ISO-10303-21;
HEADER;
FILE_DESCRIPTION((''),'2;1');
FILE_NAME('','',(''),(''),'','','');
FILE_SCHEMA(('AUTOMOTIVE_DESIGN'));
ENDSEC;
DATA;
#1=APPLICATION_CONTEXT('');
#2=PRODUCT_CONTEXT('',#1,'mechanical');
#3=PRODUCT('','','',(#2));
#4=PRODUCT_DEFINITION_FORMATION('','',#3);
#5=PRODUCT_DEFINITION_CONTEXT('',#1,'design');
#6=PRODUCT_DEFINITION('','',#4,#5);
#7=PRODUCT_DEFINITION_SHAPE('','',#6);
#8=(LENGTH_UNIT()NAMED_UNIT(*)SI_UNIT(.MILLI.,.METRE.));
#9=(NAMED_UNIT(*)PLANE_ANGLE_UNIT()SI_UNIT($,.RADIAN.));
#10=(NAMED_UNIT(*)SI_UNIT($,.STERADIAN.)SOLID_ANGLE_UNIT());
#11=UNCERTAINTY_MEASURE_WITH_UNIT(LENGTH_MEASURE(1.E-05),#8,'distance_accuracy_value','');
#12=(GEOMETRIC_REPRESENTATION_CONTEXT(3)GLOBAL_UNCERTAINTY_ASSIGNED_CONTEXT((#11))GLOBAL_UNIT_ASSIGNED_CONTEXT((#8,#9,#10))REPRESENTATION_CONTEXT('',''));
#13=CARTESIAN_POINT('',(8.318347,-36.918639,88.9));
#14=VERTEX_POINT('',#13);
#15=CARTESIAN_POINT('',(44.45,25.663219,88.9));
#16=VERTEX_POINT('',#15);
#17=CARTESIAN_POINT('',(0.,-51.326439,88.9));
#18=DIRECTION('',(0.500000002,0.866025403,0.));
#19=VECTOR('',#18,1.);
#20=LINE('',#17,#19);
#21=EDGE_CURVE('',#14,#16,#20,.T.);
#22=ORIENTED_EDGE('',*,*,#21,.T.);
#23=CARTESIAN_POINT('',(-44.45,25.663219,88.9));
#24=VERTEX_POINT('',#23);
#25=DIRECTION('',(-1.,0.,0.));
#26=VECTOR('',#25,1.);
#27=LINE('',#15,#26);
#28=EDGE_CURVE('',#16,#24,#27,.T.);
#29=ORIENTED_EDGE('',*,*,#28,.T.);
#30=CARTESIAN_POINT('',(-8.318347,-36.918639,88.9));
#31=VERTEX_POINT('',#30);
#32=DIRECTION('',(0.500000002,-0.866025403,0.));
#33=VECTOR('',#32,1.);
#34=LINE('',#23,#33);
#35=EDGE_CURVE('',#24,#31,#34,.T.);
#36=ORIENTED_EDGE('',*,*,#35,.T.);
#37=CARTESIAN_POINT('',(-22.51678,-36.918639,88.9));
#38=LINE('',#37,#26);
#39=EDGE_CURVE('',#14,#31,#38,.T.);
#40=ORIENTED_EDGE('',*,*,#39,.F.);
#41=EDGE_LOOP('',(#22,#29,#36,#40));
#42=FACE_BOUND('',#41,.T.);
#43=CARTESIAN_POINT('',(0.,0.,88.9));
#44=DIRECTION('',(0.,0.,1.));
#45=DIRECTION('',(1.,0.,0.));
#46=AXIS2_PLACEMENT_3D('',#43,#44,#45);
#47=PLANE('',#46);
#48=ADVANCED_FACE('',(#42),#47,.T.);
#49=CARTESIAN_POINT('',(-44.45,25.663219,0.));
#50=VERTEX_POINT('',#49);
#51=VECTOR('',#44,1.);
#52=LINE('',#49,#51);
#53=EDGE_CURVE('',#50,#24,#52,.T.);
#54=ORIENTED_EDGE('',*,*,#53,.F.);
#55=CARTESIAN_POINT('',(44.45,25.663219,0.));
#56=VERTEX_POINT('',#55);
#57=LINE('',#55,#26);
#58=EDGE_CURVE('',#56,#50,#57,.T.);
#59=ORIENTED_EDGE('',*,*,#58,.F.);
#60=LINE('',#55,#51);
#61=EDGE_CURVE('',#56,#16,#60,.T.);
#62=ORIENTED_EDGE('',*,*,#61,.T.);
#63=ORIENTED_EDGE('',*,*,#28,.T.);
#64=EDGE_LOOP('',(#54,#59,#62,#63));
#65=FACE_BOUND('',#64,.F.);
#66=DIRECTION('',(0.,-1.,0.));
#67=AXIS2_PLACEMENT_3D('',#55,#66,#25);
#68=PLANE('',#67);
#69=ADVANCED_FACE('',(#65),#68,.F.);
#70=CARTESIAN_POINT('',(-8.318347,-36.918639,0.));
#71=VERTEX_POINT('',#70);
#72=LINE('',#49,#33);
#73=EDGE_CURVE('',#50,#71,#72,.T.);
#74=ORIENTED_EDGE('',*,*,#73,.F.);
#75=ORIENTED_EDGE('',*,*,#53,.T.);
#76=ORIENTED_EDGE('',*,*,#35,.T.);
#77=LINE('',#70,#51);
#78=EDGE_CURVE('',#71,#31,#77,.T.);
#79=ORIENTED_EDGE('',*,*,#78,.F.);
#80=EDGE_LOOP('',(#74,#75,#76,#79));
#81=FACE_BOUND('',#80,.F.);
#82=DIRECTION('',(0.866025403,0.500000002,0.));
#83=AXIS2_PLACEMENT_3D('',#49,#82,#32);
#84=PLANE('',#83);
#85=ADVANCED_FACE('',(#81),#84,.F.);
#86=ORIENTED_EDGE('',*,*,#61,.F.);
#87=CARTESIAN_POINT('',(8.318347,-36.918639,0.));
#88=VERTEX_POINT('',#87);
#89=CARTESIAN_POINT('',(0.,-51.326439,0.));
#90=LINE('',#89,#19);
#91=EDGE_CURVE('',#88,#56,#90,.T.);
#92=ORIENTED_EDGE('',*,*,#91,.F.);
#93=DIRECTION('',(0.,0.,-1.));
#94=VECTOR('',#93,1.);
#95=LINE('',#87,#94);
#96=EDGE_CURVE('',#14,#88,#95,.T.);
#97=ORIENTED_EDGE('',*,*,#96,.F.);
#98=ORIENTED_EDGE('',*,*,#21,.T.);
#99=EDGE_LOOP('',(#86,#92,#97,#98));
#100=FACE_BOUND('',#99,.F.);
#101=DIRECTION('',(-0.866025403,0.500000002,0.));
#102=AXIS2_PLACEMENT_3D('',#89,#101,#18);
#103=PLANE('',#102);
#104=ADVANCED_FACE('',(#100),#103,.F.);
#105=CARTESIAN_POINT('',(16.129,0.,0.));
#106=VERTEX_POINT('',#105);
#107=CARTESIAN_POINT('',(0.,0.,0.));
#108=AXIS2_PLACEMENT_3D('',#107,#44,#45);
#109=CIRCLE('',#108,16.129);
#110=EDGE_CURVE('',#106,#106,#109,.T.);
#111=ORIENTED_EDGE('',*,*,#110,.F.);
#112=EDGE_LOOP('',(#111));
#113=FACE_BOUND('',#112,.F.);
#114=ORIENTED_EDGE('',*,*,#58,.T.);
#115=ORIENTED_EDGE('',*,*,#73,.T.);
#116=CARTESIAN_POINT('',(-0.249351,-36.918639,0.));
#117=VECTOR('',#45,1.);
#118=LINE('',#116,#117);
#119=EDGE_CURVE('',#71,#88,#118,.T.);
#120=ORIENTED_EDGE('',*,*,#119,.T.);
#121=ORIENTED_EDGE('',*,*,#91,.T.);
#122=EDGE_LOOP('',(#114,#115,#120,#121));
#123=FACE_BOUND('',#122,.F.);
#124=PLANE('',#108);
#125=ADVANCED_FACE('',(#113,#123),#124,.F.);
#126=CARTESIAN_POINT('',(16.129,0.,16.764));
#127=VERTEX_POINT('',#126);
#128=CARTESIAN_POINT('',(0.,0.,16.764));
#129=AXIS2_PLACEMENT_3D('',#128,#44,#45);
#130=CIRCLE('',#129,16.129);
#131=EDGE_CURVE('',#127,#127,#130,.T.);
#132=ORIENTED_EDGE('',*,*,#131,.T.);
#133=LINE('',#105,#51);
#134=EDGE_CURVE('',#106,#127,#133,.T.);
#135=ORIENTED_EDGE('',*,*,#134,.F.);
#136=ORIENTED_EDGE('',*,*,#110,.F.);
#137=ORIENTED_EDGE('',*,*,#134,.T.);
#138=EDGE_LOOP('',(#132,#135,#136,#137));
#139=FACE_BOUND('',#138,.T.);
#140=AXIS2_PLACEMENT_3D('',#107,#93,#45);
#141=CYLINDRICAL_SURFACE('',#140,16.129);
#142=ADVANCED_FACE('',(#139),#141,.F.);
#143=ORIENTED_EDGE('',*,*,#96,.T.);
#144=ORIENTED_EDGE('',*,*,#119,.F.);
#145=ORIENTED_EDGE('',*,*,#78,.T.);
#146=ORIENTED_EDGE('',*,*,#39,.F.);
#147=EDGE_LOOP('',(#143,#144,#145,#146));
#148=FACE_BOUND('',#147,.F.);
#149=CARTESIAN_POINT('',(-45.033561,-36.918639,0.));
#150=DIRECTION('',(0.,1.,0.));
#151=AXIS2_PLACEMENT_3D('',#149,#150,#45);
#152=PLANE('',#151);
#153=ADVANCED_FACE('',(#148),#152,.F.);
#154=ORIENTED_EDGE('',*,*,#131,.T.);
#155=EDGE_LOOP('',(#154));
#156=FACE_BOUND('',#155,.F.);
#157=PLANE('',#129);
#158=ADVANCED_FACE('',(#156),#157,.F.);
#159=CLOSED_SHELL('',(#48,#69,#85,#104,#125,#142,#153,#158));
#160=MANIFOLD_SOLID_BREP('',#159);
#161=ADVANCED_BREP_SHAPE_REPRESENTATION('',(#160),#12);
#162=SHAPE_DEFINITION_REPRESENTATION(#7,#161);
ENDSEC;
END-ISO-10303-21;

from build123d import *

# Parameters (mm, degrees)
F1_DEPTH = 88.9
F2_W     = 89.568419
F2_H     = 63.5
F3_DEPTH = 215.9
F4_R     = 16.129
F5_DEPTH = 16.764


with BuildPart() as f1:
    # F0 (on Top) → F1 (new body)
    with BuildSketch(Plane.XY):
        Polygon((44.45, 25.663219), (-44.45, 25.663219), (0, -51.326439), align=None)
    extrude(amount=F1_DEPTH)

    # F2 (on Top) → F3 (intersect)
    with BuildSketch(Plane.XY):
        with Locations((-0.249351, -5.168639)):
            Rectangle(F2_W, F2_H)
    extrude(amount=F3_DEPTH, mode=Mode.INTERSECT)

    # F4 (on Top) → F5 (cut)
    with BuildSketch(Plane.XY):
        Circle(F4_R)
    extrude(amount=F5_DEPTH, mode=Mode.SUBTRACT)


solid = f1.part
